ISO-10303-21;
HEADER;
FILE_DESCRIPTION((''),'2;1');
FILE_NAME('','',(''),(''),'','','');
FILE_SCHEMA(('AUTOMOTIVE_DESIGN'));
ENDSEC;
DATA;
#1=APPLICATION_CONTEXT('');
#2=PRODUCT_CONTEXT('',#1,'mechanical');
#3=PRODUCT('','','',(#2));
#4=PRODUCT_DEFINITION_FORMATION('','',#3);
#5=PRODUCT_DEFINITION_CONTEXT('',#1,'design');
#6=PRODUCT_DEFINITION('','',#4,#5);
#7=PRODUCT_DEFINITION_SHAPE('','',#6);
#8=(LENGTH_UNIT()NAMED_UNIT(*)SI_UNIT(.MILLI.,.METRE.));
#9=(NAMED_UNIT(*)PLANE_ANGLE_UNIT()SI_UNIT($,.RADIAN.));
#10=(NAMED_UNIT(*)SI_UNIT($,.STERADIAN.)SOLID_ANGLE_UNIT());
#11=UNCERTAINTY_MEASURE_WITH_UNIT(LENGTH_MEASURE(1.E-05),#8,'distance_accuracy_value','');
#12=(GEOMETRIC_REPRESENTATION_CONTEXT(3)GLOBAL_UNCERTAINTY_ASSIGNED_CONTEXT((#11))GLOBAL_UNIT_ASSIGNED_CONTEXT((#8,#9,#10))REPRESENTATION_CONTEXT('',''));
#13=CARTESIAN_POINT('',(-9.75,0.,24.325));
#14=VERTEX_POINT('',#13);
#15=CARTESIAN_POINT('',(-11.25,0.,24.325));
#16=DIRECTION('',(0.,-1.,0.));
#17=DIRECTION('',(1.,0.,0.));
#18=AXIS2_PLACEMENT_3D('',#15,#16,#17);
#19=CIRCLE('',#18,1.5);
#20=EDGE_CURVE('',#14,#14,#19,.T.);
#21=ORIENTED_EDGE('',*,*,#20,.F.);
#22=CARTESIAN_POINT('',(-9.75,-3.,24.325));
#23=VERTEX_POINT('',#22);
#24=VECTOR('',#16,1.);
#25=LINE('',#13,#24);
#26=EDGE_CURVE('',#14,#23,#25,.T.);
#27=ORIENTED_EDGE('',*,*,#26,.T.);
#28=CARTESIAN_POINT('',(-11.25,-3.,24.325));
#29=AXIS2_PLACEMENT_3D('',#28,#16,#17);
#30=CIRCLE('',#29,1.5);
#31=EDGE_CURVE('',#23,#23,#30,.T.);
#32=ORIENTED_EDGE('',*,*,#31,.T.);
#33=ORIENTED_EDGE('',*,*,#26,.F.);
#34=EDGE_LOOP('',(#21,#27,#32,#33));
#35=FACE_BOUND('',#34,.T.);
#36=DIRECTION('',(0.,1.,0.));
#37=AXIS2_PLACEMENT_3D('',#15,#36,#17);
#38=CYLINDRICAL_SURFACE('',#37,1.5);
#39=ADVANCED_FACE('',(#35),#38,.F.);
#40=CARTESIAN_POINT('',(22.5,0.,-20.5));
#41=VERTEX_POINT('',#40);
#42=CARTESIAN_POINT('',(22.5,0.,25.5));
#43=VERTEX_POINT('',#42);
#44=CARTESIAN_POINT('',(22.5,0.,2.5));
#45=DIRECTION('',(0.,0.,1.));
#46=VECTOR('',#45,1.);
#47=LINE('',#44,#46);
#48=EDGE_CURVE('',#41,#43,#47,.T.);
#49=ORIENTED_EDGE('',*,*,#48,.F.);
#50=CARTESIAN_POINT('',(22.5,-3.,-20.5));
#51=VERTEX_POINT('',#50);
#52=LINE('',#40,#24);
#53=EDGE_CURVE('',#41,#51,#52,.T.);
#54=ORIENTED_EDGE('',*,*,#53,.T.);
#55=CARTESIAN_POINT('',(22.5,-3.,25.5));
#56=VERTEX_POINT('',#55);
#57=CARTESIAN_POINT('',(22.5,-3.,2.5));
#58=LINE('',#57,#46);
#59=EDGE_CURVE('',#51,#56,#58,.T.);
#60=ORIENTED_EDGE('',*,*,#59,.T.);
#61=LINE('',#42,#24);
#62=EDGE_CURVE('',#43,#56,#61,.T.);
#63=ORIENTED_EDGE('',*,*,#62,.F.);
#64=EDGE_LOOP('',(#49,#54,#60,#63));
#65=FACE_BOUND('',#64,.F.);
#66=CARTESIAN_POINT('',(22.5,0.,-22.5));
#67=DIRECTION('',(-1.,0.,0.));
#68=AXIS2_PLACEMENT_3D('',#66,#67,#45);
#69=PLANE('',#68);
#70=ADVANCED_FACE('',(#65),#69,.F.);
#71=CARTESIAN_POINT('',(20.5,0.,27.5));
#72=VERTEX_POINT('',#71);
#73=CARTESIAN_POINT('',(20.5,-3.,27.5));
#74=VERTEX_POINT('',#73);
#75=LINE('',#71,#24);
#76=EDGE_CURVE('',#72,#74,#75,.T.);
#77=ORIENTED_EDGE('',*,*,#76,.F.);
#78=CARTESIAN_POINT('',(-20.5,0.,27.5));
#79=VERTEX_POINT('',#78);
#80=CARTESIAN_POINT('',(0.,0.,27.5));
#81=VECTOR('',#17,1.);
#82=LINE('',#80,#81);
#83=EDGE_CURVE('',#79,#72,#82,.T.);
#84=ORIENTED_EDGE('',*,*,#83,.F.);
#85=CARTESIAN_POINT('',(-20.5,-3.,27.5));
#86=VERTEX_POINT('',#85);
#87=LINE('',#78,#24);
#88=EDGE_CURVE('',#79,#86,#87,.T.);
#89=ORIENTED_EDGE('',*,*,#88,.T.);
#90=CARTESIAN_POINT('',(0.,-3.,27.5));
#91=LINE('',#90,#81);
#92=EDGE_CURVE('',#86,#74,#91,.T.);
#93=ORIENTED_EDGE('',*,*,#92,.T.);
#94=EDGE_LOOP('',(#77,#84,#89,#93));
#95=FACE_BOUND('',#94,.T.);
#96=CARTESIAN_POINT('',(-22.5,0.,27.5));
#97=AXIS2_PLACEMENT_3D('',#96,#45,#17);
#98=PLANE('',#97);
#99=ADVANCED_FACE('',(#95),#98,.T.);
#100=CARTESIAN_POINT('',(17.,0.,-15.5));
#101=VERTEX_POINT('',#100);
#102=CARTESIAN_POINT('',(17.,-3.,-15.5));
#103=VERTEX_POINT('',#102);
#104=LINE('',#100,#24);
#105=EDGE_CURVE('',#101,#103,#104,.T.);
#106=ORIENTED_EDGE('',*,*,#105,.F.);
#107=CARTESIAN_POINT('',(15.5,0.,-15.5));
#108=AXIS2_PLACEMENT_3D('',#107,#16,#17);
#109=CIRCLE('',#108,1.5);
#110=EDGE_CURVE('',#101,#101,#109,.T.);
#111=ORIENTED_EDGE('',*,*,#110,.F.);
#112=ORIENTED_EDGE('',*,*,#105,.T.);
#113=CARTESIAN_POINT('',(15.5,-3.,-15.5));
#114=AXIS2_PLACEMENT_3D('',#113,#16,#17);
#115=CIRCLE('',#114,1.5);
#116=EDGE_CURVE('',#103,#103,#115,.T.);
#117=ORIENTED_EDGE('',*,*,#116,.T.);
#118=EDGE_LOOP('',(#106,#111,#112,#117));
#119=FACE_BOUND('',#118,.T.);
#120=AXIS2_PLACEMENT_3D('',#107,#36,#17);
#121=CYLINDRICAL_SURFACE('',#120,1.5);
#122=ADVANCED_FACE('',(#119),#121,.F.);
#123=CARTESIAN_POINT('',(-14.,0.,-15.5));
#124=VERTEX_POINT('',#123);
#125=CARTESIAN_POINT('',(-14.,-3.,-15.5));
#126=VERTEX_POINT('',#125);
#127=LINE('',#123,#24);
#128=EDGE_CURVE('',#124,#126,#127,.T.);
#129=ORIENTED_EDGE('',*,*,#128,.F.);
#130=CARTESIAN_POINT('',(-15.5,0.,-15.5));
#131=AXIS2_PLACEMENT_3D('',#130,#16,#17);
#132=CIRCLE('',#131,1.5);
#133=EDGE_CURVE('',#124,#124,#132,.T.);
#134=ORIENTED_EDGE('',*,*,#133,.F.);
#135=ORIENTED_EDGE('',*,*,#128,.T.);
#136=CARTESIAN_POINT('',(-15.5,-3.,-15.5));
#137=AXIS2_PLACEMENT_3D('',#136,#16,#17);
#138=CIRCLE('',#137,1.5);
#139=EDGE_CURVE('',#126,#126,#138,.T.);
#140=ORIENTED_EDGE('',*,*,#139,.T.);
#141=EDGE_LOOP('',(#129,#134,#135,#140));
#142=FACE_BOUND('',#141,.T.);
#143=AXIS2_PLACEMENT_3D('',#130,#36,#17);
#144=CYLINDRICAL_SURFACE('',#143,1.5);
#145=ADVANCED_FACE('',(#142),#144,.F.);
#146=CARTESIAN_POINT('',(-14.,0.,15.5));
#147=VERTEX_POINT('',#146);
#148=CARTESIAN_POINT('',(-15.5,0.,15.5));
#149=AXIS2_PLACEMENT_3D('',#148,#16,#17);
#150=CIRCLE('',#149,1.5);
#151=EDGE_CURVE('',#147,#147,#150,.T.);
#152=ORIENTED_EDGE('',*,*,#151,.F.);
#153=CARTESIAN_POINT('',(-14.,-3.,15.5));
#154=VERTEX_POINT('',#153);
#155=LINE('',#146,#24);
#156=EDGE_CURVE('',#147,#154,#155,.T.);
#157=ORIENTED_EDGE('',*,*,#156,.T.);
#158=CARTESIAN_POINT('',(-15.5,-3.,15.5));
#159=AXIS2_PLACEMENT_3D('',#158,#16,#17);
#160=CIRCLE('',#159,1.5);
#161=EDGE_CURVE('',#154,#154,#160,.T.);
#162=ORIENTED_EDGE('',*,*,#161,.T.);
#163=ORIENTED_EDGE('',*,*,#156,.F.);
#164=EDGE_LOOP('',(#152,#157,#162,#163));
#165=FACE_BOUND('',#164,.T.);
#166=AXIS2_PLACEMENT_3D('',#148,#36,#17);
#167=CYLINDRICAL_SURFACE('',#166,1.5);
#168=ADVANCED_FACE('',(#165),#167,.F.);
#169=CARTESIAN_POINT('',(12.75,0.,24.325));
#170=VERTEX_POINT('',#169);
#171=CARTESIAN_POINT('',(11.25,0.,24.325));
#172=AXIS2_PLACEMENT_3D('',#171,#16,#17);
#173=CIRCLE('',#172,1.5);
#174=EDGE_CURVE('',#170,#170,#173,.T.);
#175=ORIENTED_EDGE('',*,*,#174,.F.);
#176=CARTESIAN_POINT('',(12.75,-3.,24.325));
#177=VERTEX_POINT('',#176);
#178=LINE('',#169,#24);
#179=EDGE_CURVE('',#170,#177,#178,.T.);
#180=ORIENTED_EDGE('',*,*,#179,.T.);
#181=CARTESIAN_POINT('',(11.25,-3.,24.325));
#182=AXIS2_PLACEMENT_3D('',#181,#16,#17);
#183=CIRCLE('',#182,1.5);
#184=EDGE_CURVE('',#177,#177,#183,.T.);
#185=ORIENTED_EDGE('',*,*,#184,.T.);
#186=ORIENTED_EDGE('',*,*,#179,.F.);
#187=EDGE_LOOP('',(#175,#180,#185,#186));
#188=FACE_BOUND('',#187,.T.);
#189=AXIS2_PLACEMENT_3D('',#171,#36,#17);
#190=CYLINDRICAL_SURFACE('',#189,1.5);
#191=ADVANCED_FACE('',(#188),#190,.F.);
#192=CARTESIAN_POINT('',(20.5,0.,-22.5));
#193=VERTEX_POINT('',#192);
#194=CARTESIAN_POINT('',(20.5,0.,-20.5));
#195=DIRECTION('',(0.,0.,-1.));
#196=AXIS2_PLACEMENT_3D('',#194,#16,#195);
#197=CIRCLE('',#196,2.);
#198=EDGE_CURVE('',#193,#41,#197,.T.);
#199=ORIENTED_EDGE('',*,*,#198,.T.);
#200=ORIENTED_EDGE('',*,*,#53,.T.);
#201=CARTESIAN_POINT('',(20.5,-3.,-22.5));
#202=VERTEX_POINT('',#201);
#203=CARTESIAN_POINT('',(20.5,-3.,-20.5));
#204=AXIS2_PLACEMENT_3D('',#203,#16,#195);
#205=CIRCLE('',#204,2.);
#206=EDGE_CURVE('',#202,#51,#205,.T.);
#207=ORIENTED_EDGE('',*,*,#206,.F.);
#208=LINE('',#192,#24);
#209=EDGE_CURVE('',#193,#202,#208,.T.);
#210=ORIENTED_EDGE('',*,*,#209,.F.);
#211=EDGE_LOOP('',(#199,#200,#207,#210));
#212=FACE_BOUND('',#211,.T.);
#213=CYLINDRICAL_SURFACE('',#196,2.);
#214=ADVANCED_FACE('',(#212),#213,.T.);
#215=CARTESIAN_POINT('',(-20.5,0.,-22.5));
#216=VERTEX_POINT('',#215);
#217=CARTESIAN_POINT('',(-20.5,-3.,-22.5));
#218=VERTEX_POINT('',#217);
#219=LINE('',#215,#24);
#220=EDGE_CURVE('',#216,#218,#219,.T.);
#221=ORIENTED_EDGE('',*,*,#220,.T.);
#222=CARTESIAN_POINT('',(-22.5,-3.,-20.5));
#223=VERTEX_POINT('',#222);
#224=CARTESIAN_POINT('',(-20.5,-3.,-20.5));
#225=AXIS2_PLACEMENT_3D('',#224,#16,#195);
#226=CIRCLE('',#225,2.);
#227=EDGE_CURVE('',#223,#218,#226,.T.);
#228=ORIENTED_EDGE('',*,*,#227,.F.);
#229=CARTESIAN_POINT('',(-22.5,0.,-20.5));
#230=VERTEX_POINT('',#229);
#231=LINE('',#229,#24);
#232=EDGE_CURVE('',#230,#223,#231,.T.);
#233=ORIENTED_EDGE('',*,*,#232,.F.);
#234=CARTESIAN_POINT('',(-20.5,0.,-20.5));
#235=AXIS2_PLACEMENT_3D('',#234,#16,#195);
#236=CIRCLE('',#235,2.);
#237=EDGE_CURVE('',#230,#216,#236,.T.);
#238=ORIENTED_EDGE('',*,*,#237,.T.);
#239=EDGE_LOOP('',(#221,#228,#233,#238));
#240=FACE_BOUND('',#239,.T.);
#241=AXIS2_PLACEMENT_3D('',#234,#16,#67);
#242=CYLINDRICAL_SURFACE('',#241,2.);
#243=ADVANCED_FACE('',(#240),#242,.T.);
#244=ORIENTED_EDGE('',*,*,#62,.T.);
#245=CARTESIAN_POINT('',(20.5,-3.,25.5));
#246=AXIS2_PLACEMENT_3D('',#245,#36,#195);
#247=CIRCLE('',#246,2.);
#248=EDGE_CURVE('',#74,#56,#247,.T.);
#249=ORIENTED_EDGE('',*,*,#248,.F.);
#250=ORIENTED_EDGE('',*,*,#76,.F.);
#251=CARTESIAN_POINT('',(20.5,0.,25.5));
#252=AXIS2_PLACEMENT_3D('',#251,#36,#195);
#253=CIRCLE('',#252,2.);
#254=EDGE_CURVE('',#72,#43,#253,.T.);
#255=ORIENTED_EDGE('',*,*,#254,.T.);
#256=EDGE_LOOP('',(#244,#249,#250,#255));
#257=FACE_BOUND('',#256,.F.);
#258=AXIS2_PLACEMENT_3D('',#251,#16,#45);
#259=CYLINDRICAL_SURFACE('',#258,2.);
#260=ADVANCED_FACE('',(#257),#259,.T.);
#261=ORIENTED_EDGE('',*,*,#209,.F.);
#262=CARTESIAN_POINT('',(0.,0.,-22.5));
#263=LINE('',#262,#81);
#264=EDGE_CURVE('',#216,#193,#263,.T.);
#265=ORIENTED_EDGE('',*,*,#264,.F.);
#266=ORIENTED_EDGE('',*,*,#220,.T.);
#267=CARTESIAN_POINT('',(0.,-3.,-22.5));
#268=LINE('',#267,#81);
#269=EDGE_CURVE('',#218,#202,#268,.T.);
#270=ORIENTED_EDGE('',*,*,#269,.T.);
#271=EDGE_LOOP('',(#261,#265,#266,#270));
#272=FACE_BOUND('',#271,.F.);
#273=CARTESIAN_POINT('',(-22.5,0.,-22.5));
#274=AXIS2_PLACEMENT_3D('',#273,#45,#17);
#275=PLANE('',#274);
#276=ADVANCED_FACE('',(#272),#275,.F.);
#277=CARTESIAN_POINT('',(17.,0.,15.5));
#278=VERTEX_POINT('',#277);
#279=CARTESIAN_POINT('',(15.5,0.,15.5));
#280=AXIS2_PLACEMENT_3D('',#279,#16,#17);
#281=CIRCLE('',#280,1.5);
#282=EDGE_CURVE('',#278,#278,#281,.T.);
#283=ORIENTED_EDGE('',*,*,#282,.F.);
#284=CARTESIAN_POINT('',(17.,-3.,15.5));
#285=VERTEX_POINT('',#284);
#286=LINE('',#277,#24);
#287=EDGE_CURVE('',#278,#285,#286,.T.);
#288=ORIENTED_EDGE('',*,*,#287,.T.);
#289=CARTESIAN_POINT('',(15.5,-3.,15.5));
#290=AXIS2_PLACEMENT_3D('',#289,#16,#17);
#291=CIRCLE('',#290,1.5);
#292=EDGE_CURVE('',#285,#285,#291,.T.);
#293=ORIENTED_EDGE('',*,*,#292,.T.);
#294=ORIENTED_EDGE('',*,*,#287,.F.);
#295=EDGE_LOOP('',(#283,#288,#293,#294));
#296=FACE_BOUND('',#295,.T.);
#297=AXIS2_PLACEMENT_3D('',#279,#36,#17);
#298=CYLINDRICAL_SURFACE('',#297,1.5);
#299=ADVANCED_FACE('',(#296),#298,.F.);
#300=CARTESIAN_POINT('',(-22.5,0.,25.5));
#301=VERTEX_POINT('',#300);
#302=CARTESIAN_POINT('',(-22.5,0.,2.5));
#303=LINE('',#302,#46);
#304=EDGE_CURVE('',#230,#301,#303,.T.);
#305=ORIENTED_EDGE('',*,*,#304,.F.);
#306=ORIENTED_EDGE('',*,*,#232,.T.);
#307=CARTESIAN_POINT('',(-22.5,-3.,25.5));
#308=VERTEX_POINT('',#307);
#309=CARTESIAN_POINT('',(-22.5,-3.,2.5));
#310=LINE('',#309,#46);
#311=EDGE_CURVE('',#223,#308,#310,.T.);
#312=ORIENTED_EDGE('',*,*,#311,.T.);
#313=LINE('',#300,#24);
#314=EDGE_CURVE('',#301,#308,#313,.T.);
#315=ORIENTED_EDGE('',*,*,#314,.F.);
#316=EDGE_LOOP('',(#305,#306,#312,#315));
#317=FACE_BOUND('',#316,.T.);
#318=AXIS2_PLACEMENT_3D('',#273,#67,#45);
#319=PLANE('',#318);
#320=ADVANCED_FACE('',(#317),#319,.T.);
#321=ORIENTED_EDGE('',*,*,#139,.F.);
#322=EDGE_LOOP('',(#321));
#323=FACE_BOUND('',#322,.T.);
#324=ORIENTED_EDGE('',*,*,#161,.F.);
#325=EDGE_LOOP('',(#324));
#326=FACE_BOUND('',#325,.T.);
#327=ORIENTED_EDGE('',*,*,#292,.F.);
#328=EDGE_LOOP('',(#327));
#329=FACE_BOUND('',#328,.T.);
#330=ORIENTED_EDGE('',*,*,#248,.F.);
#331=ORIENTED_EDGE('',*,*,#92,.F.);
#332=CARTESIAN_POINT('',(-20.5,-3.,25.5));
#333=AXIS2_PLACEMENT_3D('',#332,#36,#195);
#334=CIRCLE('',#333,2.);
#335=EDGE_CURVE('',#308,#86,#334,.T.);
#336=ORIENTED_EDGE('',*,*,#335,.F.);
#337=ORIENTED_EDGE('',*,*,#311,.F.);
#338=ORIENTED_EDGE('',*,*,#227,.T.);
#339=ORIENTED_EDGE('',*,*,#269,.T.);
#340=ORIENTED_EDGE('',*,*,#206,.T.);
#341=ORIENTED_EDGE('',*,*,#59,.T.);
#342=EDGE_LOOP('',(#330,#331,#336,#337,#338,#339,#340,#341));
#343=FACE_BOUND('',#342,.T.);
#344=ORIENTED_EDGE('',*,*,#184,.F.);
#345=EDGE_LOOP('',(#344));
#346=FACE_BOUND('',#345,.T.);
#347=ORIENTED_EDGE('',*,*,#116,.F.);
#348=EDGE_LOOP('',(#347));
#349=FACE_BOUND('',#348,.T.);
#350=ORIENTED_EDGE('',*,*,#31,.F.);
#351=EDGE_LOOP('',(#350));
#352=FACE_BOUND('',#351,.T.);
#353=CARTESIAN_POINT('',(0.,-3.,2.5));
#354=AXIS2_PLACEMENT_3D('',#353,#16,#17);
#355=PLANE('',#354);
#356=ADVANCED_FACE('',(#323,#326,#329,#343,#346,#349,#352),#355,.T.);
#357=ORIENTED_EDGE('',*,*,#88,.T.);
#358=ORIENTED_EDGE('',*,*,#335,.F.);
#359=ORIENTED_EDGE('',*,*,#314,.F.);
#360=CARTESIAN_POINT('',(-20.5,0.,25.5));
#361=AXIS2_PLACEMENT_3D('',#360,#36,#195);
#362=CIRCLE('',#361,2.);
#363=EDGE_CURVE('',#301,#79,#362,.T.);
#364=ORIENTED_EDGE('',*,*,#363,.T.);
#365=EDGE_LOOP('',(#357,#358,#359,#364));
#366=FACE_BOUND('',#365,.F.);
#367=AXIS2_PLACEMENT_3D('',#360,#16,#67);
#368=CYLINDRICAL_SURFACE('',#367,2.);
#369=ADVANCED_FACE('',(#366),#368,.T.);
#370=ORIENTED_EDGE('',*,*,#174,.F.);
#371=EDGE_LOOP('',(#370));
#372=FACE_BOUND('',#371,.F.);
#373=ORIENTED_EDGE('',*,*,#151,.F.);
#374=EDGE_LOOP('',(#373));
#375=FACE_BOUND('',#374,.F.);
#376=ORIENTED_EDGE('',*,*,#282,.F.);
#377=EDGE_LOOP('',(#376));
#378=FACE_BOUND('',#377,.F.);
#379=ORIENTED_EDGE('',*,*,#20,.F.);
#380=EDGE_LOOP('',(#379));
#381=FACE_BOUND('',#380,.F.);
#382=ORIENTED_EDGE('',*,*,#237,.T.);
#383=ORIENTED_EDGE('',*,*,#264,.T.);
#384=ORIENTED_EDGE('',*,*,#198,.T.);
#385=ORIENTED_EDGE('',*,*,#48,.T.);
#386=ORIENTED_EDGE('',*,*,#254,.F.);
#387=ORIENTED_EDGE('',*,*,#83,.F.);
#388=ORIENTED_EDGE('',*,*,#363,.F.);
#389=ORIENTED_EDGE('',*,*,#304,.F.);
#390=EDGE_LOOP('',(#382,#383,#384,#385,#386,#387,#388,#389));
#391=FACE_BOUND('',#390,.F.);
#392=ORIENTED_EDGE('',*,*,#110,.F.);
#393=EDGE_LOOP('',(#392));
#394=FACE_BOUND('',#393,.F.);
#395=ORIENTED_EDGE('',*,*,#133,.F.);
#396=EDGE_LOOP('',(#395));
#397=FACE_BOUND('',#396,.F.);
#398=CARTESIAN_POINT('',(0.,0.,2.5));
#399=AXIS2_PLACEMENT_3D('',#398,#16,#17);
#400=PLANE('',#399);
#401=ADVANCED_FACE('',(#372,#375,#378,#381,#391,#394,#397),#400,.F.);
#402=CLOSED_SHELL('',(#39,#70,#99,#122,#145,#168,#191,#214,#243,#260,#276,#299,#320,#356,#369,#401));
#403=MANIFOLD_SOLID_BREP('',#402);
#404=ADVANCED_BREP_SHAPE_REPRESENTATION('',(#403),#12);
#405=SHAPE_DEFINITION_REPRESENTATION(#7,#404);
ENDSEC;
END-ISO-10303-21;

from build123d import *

# Parameters (mm, degrees)
SKETCH_W  = 45
SKETCH_H  = 50
SKETCH_R  = 1.5
PAD_DEPTH = 3
FILLET_R  = 2


with BuildPart() as part:
    # Sketch (on XZ_Plane of Origin) → Pad (new body)
    with BuildSketch(Plane.XZ):
        with Locations((0, 2.5)):
            Rectangle(SKETCH_W, SKETCH_H)
        with Locations((-15.5, 15.5)):
            Circle(SKETCH_R, mode=Mode.SUBTRACT)
        with Locations((15.5, 15.5)):
            Circle(SKETCH_R, mode=Mode.SUBTRACT)
        with Locations((15.5, -15.5)):
            Circle(SKETCH_R, mode=Mode.SUBTRACT)
        with Locations((-15.5, -15.5)):
            Circle(SKETCH_R, mode=Mode.SUBTRACT)
        with Locations((-11.25, 24.325)):
            Circle(SKETCH_R, mode=Mode.SUBTRACT)
        with Locations((11.25, 24.325)):
            Circle(SKETCH_R, mode=Mode.SUBTRACT)
    extrude(amount=PAD_DEPTH)

    # Fillet
    fillet_edges = [part.edges().sort_by_distance(p)[0] for p in [
        (22.5, -1.5, 27.5),
        (22.5, -1.5, -22.5),
        (-22.5, -1.5, -22.5),
        (-22.5, -1.5, 27.5),
    ]]
    fillet(fillet_edges, radius=FILLET_R)


solid = part.part
